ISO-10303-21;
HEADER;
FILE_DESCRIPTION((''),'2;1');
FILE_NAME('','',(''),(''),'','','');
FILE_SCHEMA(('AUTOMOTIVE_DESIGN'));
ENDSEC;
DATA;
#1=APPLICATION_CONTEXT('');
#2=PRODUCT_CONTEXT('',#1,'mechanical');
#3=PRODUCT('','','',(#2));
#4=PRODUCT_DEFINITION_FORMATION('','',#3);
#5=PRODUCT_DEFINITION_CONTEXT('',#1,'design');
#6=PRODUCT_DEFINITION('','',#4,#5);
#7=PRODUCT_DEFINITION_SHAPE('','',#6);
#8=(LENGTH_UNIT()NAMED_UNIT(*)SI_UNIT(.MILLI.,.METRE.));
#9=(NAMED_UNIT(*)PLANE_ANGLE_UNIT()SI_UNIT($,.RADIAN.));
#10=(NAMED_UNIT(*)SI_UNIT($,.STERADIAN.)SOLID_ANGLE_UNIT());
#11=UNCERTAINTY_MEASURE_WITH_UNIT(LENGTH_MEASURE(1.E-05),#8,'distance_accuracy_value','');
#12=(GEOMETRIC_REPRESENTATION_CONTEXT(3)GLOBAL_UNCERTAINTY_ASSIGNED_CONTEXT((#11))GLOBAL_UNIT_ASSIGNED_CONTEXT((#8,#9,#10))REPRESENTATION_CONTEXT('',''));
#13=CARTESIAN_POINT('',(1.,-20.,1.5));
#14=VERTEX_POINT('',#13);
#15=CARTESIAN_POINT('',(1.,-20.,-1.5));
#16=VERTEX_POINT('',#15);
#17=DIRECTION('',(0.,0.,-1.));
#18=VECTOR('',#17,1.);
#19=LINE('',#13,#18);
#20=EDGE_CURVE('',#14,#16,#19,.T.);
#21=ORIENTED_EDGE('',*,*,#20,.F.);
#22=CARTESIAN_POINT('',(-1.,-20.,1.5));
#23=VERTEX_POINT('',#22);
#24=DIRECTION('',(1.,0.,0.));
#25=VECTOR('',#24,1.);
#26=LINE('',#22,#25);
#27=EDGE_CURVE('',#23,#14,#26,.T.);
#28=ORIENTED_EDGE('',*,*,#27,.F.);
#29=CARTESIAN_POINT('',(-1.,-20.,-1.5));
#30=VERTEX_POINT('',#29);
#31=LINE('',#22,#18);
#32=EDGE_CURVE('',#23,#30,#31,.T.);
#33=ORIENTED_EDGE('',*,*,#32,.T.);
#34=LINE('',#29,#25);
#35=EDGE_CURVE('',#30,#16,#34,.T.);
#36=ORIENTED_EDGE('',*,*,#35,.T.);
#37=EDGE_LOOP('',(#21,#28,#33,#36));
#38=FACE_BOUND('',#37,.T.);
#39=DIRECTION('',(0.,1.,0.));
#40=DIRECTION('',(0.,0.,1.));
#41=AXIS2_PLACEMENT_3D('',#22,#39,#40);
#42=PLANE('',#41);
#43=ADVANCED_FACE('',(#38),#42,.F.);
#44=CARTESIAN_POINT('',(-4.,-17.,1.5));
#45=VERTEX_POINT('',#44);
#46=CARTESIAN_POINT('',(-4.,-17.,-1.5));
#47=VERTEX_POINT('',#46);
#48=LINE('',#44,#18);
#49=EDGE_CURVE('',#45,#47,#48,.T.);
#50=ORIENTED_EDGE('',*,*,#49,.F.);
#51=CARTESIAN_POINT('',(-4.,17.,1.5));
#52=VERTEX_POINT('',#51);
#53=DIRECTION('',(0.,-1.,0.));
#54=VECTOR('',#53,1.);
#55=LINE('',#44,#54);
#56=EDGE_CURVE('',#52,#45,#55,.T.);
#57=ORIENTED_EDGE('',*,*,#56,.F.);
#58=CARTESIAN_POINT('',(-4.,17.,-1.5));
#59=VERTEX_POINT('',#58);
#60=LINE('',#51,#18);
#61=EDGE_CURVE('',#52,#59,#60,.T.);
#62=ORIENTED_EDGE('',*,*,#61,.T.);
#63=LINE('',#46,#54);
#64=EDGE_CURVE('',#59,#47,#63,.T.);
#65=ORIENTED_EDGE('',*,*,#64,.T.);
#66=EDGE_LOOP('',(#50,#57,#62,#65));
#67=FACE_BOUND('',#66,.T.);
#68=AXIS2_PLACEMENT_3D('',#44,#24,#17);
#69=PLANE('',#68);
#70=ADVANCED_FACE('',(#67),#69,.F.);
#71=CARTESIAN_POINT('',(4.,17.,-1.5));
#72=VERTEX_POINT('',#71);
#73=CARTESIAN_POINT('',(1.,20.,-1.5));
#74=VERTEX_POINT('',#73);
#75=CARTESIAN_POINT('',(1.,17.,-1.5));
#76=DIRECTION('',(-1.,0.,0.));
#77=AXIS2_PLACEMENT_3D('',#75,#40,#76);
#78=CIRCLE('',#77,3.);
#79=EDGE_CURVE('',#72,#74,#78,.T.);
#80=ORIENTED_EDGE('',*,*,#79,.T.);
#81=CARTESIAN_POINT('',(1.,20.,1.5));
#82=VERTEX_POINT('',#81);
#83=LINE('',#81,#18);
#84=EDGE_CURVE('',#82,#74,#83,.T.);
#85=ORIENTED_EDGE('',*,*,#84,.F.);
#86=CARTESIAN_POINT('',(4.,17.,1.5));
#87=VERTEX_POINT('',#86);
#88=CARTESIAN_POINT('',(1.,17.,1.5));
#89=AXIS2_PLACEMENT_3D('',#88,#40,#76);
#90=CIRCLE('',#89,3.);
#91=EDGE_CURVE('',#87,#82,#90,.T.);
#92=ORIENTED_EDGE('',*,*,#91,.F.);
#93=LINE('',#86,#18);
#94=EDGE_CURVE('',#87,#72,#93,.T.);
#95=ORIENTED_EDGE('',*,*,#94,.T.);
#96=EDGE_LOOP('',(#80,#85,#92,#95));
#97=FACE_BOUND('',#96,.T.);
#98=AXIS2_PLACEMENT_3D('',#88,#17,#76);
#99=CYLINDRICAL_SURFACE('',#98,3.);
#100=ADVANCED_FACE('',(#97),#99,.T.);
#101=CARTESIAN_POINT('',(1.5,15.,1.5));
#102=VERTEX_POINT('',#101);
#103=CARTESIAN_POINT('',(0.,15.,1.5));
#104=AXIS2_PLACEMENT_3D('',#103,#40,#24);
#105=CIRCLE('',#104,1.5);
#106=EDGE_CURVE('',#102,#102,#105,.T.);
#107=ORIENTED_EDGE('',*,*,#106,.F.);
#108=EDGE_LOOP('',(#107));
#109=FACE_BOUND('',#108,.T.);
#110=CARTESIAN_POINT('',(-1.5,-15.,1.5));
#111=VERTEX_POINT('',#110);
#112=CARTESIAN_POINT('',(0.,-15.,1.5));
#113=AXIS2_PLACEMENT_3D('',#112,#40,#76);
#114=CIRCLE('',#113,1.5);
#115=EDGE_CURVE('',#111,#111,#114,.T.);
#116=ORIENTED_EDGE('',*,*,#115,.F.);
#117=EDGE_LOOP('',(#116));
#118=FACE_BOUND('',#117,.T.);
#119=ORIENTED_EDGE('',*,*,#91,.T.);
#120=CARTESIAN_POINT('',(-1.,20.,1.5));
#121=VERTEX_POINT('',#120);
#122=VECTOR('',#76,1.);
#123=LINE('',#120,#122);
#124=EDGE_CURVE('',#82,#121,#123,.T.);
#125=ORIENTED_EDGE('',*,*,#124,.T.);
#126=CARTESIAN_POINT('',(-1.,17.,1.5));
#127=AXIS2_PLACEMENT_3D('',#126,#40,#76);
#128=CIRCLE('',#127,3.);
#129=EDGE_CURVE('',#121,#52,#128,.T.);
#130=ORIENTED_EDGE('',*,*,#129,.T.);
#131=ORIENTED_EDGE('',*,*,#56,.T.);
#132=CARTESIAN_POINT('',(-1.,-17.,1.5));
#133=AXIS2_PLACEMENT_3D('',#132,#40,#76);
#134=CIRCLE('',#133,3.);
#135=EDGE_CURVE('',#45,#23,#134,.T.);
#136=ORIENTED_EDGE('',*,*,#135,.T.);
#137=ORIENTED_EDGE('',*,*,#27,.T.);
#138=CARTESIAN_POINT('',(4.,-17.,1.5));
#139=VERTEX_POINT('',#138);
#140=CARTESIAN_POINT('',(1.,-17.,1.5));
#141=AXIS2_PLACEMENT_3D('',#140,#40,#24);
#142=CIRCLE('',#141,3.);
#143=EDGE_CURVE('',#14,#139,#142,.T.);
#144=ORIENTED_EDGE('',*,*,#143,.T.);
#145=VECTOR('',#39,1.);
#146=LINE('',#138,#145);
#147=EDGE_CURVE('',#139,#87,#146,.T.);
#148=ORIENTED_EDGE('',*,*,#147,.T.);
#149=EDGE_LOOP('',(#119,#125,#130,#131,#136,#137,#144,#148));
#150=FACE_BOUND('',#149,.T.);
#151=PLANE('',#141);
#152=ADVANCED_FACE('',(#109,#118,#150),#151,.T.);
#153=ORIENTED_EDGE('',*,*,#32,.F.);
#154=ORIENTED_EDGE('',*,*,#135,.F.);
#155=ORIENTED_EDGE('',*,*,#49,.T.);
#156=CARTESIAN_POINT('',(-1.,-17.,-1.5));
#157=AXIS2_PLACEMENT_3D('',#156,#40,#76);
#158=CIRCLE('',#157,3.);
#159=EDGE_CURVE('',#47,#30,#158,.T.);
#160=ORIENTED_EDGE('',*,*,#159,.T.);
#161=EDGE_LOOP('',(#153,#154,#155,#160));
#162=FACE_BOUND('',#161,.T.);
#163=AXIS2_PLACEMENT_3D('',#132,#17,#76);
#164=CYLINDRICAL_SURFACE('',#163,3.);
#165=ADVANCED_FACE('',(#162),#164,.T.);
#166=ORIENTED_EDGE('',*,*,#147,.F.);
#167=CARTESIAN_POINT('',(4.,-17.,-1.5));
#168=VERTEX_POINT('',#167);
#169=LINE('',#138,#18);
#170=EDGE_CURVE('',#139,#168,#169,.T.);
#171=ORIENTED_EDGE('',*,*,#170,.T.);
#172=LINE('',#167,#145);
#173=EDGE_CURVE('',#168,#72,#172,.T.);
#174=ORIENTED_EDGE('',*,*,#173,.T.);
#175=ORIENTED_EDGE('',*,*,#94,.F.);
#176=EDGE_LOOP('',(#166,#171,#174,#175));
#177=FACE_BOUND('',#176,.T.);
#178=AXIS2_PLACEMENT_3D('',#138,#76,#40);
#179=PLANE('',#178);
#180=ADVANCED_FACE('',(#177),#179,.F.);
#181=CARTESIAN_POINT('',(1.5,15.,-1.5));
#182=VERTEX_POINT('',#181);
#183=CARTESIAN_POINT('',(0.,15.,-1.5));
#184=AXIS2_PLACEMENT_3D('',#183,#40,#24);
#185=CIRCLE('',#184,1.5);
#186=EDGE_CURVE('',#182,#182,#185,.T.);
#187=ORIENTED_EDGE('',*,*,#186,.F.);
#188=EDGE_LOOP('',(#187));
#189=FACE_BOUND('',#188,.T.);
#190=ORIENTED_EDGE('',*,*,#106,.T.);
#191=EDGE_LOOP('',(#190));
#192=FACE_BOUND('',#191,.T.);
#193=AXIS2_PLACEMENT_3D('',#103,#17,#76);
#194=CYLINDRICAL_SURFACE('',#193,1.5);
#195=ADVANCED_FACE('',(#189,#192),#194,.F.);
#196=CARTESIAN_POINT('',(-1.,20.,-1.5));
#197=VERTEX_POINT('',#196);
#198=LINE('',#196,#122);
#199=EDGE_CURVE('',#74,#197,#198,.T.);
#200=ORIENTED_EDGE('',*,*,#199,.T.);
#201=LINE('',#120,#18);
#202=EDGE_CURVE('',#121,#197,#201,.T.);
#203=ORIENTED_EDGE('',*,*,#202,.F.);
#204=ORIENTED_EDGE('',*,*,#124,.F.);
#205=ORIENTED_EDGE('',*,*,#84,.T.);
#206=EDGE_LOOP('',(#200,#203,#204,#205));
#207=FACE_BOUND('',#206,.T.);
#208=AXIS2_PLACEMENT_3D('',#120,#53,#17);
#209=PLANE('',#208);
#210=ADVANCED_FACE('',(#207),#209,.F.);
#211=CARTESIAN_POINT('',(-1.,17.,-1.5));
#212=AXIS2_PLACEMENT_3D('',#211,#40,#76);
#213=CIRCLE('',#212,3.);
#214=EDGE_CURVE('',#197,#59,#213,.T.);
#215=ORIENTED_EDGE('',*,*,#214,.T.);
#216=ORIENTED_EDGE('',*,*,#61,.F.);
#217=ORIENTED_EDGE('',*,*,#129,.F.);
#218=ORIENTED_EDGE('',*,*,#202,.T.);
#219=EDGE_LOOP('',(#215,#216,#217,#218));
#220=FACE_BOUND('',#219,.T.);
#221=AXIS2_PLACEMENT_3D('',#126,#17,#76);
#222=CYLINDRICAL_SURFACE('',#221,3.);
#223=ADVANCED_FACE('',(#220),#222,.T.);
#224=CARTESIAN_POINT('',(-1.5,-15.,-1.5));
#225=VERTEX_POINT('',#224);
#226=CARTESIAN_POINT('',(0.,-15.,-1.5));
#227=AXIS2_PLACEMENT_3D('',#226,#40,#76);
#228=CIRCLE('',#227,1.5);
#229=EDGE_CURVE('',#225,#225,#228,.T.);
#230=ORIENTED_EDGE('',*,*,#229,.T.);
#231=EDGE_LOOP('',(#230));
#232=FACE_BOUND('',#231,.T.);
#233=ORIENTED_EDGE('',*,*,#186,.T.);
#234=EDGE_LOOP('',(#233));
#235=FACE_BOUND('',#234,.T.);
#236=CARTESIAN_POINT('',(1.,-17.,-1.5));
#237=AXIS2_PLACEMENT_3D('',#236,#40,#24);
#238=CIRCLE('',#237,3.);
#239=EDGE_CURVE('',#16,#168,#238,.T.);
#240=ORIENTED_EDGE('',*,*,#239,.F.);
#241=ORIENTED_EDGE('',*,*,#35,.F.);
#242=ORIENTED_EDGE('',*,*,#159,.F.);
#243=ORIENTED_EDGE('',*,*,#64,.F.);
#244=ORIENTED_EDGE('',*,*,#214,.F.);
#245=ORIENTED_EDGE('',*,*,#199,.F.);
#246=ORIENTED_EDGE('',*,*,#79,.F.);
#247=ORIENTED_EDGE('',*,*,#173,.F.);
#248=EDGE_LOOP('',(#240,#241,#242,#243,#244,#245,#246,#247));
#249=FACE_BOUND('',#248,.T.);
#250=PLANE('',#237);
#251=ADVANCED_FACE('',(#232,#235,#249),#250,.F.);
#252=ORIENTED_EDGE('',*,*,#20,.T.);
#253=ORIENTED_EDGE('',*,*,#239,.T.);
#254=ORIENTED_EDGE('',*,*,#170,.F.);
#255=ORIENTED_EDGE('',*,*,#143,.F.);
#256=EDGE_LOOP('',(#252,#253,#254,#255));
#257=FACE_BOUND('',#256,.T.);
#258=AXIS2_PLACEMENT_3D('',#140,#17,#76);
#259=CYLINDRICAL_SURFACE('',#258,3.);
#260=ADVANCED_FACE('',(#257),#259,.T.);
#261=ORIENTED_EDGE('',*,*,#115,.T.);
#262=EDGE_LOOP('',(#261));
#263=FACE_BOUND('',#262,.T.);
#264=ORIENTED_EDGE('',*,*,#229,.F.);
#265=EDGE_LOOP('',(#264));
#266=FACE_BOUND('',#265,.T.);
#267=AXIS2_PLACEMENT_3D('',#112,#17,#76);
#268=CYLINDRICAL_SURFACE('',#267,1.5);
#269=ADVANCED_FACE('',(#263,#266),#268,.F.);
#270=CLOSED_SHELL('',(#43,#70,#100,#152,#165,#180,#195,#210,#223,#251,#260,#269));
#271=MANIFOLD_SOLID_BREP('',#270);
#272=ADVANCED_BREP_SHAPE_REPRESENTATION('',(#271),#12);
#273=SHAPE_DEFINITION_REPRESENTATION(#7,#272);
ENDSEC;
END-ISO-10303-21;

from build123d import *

# Parameters (mm, degrees)
CROQUIS1_R              = 1.5
SALIENTE_EXTRUIR1_DEPTH = 1.5


with BuildPart() as part:
    # Croquis1 → Saliente-Extruir1 (new, symmetric)
    with BuildSketch(Plane.XY):
        with BuildLine():
            Line((-1, -20), (1, -20))
            ThreePointArc((1, -20), (3.121320344, -19.121320344), (4, -17))
            Line((4, -17), (4, 17))
            ThreePointArc((4, 17), (3.121320344, 19.121320344), (1, 20))
            Line((1, 20), (-1, 20))
            ThreePointArc((-1, 20), (-3.121320344, 19.121320344), (-4, 17))
            Line((-4, 17), (-4, -17))
            ThreePointArc((-4, -17), (-3.121320344, -19.121320344), (-1, -20))
        make_face()
        with Locations((0, 15)):
            Circle(CROQUIS1_R, mode=Mode.SUBTRACT)
        with Locations(Location((0, -15, 0), (0, 0, 180))):
            Circle(CROQUIS1_R, mode=Mode.SUBTRACT)
    extrude(amount=SALIENTE_EXTRUIR1_DEPTH, both=True)


solid = part.part
